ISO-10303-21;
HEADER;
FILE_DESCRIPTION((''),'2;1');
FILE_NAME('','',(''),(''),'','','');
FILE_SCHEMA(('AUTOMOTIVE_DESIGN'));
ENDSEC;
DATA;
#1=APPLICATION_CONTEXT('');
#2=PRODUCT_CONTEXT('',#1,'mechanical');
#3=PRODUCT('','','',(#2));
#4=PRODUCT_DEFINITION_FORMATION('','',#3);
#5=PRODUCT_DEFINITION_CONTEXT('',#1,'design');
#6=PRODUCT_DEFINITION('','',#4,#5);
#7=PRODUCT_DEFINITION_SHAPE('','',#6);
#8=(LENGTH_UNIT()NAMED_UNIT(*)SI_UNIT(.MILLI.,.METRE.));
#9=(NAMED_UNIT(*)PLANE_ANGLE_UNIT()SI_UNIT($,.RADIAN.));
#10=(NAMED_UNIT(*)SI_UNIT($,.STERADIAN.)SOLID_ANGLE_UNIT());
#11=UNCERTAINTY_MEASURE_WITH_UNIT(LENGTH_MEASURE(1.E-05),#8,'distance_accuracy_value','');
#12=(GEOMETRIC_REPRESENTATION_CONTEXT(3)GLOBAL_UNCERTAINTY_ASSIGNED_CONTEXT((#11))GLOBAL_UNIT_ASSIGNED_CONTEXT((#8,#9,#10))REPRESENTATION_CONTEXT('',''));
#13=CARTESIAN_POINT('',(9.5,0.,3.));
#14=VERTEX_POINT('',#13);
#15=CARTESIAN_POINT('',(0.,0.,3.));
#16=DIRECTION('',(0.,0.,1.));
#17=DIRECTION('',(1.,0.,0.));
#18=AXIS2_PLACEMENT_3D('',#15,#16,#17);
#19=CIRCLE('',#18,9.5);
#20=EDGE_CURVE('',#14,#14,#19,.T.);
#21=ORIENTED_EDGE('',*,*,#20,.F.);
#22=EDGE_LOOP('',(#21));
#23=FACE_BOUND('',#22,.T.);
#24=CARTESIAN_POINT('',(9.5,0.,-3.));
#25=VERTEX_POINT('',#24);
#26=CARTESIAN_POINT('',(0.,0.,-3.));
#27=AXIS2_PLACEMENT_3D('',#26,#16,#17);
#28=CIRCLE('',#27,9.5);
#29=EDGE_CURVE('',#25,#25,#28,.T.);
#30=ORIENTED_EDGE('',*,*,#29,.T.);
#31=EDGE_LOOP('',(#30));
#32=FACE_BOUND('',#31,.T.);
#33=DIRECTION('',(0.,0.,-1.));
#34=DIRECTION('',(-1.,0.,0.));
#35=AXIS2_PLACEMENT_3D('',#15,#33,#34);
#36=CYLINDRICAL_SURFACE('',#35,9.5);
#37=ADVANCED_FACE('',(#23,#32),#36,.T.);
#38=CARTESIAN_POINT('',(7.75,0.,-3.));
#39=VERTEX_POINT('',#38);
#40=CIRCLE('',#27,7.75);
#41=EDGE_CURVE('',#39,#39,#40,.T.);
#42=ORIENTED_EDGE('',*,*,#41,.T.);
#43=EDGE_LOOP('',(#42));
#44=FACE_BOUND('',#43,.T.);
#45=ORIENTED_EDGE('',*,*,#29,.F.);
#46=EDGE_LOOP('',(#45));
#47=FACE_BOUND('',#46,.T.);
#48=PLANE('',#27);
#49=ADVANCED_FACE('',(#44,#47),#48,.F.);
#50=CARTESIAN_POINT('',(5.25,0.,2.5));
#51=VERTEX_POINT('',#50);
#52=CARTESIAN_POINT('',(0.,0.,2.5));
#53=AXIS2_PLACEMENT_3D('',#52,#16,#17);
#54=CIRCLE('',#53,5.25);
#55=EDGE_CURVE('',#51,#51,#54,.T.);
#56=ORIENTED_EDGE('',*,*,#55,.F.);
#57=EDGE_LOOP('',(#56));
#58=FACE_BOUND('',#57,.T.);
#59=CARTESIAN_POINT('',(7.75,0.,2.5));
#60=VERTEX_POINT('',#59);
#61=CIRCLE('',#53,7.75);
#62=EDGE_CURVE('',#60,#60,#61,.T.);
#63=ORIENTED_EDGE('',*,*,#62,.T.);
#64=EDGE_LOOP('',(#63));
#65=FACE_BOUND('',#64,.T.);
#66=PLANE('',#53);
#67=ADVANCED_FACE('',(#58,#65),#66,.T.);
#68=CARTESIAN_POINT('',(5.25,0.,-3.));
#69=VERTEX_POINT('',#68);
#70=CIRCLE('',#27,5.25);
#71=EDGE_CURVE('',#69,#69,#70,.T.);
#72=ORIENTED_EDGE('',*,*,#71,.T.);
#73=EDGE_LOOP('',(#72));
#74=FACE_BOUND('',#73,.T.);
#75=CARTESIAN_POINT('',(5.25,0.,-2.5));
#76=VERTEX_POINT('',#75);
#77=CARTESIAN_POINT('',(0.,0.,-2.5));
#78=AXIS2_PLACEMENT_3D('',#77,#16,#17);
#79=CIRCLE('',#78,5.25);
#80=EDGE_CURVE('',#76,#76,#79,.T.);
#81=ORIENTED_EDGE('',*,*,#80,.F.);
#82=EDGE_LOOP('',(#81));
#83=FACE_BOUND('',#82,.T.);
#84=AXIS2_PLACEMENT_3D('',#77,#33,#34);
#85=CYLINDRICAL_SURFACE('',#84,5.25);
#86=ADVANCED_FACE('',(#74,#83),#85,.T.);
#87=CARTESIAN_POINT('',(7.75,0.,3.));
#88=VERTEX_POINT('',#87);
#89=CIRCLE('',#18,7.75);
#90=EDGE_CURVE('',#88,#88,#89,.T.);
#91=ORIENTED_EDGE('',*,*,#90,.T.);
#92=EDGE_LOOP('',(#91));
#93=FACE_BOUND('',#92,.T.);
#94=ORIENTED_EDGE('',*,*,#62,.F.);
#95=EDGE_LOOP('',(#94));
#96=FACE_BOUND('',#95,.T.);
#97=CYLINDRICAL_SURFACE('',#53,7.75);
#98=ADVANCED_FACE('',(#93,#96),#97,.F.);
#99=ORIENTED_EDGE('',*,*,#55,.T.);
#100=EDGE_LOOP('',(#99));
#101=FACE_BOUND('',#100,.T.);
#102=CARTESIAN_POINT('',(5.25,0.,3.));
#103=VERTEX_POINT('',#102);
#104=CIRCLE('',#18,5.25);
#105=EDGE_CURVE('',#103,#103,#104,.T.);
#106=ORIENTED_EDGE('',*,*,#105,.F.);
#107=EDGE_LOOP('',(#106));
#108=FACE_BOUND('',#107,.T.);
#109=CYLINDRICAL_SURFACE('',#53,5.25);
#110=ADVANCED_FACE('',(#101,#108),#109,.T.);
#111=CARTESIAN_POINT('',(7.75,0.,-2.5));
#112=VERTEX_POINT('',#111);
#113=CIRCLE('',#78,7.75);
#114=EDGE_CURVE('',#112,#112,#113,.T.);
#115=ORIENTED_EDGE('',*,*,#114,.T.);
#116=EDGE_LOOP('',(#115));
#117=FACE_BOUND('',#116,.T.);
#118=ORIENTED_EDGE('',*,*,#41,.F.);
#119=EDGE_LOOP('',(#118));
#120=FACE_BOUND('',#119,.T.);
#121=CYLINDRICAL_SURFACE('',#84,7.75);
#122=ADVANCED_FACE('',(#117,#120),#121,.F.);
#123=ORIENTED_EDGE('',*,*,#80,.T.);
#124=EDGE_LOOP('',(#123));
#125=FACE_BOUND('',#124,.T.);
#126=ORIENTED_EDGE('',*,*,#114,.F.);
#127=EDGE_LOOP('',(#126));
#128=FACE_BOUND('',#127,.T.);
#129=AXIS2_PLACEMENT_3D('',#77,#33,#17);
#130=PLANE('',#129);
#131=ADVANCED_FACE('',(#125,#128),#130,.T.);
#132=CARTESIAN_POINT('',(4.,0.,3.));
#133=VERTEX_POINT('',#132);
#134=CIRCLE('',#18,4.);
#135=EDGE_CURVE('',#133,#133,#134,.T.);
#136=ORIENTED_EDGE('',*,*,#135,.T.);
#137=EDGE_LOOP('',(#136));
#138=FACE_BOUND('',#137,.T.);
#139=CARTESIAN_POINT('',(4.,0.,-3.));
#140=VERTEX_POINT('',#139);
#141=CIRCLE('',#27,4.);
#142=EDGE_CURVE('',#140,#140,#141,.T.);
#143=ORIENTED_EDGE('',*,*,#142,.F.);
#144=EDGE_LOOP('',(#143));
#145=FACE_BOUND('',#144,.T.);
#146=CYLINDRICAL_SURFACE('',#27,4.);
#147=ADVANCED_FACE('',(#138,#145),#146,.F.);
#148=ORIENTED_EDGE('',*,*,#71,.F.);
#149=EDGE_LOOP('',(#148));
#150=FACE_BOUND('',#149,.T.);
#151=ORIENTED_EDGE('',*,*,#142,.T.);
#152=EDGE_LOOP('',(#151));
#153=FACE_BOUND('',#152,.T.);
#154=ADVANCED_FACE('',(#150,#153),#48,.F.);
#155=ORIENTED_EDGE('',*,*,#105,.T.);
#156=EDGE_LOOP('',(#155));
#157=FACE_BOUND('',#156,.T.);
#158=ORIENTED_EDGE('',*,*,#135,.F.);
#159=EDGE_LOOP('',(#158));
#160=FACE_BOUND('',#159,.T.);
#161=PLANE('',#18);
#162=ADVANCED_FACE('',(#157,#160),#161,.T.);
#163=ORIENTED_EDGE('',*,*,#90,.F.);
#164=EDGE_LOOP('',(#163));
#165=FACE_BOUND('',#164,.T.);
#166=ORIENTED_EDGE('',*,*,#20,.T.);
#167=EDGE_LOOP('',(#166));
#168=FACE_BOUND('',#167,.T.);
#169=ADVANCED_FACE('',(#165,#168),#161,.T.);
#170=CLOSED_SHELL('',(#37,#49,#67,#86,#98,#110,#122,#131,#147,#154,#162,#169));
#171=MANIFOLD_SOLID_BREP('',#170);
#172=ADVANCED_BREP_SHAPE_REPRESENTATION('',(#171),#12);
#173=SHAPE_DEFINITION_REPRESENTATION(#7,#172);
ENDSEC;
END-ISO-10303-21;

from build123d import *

# Parameters (mm, degrees)
SKETCH_1_R          = 9.5
EXTRUDE_1_DEPTH     = 3
SKETCH_2_R          = 4
CUT_EXTRUDE_1_DEPTH = 7
SKETCH_3_R          = 7.75
SKETCH_3_R_2        = 5.25
CUT_EXTRUDE_2_DEPTH = 0.5


with BuildPart() as part:
    # 草圖1 → 填料-伸長1 (new body, symmetric)
    with BuildSketch(Plane.XY):
        Circle(SKETCH_1_R)
    extrude(amount=EXTRUDE_1_DEPTH, both=True)

    # 草圖2 → 除料-伸長1 (cut, through all)
    with BuildSketch(Plane.XY.offset(3)):
        Circle(SKETCH_2_R)
    extrude(amount=-CUT_EXTRUDE_1_DEPTH, mode=Mode.SUBTRACT)

    # 草圖3 → 除料-伸長2 (cut)
    with BuildSketch(Plane.XY.offset(3)):
        Circle(SKETCH_3_R)
        Circle(SKETCH_3_R_2, mode=Mode.SUBTRACT)
    cut_extrude_2 = extrude(amount=-CUT_EXTRUDE_2_DEPTH, mode=Mode.SUBTRACT)

    # 鏡射1: 除料-伸長2 across plane
    add(cut_extrude_2.mirror(Plane.XY), mode=Mode.SUBTRACT)


solid = part.part
